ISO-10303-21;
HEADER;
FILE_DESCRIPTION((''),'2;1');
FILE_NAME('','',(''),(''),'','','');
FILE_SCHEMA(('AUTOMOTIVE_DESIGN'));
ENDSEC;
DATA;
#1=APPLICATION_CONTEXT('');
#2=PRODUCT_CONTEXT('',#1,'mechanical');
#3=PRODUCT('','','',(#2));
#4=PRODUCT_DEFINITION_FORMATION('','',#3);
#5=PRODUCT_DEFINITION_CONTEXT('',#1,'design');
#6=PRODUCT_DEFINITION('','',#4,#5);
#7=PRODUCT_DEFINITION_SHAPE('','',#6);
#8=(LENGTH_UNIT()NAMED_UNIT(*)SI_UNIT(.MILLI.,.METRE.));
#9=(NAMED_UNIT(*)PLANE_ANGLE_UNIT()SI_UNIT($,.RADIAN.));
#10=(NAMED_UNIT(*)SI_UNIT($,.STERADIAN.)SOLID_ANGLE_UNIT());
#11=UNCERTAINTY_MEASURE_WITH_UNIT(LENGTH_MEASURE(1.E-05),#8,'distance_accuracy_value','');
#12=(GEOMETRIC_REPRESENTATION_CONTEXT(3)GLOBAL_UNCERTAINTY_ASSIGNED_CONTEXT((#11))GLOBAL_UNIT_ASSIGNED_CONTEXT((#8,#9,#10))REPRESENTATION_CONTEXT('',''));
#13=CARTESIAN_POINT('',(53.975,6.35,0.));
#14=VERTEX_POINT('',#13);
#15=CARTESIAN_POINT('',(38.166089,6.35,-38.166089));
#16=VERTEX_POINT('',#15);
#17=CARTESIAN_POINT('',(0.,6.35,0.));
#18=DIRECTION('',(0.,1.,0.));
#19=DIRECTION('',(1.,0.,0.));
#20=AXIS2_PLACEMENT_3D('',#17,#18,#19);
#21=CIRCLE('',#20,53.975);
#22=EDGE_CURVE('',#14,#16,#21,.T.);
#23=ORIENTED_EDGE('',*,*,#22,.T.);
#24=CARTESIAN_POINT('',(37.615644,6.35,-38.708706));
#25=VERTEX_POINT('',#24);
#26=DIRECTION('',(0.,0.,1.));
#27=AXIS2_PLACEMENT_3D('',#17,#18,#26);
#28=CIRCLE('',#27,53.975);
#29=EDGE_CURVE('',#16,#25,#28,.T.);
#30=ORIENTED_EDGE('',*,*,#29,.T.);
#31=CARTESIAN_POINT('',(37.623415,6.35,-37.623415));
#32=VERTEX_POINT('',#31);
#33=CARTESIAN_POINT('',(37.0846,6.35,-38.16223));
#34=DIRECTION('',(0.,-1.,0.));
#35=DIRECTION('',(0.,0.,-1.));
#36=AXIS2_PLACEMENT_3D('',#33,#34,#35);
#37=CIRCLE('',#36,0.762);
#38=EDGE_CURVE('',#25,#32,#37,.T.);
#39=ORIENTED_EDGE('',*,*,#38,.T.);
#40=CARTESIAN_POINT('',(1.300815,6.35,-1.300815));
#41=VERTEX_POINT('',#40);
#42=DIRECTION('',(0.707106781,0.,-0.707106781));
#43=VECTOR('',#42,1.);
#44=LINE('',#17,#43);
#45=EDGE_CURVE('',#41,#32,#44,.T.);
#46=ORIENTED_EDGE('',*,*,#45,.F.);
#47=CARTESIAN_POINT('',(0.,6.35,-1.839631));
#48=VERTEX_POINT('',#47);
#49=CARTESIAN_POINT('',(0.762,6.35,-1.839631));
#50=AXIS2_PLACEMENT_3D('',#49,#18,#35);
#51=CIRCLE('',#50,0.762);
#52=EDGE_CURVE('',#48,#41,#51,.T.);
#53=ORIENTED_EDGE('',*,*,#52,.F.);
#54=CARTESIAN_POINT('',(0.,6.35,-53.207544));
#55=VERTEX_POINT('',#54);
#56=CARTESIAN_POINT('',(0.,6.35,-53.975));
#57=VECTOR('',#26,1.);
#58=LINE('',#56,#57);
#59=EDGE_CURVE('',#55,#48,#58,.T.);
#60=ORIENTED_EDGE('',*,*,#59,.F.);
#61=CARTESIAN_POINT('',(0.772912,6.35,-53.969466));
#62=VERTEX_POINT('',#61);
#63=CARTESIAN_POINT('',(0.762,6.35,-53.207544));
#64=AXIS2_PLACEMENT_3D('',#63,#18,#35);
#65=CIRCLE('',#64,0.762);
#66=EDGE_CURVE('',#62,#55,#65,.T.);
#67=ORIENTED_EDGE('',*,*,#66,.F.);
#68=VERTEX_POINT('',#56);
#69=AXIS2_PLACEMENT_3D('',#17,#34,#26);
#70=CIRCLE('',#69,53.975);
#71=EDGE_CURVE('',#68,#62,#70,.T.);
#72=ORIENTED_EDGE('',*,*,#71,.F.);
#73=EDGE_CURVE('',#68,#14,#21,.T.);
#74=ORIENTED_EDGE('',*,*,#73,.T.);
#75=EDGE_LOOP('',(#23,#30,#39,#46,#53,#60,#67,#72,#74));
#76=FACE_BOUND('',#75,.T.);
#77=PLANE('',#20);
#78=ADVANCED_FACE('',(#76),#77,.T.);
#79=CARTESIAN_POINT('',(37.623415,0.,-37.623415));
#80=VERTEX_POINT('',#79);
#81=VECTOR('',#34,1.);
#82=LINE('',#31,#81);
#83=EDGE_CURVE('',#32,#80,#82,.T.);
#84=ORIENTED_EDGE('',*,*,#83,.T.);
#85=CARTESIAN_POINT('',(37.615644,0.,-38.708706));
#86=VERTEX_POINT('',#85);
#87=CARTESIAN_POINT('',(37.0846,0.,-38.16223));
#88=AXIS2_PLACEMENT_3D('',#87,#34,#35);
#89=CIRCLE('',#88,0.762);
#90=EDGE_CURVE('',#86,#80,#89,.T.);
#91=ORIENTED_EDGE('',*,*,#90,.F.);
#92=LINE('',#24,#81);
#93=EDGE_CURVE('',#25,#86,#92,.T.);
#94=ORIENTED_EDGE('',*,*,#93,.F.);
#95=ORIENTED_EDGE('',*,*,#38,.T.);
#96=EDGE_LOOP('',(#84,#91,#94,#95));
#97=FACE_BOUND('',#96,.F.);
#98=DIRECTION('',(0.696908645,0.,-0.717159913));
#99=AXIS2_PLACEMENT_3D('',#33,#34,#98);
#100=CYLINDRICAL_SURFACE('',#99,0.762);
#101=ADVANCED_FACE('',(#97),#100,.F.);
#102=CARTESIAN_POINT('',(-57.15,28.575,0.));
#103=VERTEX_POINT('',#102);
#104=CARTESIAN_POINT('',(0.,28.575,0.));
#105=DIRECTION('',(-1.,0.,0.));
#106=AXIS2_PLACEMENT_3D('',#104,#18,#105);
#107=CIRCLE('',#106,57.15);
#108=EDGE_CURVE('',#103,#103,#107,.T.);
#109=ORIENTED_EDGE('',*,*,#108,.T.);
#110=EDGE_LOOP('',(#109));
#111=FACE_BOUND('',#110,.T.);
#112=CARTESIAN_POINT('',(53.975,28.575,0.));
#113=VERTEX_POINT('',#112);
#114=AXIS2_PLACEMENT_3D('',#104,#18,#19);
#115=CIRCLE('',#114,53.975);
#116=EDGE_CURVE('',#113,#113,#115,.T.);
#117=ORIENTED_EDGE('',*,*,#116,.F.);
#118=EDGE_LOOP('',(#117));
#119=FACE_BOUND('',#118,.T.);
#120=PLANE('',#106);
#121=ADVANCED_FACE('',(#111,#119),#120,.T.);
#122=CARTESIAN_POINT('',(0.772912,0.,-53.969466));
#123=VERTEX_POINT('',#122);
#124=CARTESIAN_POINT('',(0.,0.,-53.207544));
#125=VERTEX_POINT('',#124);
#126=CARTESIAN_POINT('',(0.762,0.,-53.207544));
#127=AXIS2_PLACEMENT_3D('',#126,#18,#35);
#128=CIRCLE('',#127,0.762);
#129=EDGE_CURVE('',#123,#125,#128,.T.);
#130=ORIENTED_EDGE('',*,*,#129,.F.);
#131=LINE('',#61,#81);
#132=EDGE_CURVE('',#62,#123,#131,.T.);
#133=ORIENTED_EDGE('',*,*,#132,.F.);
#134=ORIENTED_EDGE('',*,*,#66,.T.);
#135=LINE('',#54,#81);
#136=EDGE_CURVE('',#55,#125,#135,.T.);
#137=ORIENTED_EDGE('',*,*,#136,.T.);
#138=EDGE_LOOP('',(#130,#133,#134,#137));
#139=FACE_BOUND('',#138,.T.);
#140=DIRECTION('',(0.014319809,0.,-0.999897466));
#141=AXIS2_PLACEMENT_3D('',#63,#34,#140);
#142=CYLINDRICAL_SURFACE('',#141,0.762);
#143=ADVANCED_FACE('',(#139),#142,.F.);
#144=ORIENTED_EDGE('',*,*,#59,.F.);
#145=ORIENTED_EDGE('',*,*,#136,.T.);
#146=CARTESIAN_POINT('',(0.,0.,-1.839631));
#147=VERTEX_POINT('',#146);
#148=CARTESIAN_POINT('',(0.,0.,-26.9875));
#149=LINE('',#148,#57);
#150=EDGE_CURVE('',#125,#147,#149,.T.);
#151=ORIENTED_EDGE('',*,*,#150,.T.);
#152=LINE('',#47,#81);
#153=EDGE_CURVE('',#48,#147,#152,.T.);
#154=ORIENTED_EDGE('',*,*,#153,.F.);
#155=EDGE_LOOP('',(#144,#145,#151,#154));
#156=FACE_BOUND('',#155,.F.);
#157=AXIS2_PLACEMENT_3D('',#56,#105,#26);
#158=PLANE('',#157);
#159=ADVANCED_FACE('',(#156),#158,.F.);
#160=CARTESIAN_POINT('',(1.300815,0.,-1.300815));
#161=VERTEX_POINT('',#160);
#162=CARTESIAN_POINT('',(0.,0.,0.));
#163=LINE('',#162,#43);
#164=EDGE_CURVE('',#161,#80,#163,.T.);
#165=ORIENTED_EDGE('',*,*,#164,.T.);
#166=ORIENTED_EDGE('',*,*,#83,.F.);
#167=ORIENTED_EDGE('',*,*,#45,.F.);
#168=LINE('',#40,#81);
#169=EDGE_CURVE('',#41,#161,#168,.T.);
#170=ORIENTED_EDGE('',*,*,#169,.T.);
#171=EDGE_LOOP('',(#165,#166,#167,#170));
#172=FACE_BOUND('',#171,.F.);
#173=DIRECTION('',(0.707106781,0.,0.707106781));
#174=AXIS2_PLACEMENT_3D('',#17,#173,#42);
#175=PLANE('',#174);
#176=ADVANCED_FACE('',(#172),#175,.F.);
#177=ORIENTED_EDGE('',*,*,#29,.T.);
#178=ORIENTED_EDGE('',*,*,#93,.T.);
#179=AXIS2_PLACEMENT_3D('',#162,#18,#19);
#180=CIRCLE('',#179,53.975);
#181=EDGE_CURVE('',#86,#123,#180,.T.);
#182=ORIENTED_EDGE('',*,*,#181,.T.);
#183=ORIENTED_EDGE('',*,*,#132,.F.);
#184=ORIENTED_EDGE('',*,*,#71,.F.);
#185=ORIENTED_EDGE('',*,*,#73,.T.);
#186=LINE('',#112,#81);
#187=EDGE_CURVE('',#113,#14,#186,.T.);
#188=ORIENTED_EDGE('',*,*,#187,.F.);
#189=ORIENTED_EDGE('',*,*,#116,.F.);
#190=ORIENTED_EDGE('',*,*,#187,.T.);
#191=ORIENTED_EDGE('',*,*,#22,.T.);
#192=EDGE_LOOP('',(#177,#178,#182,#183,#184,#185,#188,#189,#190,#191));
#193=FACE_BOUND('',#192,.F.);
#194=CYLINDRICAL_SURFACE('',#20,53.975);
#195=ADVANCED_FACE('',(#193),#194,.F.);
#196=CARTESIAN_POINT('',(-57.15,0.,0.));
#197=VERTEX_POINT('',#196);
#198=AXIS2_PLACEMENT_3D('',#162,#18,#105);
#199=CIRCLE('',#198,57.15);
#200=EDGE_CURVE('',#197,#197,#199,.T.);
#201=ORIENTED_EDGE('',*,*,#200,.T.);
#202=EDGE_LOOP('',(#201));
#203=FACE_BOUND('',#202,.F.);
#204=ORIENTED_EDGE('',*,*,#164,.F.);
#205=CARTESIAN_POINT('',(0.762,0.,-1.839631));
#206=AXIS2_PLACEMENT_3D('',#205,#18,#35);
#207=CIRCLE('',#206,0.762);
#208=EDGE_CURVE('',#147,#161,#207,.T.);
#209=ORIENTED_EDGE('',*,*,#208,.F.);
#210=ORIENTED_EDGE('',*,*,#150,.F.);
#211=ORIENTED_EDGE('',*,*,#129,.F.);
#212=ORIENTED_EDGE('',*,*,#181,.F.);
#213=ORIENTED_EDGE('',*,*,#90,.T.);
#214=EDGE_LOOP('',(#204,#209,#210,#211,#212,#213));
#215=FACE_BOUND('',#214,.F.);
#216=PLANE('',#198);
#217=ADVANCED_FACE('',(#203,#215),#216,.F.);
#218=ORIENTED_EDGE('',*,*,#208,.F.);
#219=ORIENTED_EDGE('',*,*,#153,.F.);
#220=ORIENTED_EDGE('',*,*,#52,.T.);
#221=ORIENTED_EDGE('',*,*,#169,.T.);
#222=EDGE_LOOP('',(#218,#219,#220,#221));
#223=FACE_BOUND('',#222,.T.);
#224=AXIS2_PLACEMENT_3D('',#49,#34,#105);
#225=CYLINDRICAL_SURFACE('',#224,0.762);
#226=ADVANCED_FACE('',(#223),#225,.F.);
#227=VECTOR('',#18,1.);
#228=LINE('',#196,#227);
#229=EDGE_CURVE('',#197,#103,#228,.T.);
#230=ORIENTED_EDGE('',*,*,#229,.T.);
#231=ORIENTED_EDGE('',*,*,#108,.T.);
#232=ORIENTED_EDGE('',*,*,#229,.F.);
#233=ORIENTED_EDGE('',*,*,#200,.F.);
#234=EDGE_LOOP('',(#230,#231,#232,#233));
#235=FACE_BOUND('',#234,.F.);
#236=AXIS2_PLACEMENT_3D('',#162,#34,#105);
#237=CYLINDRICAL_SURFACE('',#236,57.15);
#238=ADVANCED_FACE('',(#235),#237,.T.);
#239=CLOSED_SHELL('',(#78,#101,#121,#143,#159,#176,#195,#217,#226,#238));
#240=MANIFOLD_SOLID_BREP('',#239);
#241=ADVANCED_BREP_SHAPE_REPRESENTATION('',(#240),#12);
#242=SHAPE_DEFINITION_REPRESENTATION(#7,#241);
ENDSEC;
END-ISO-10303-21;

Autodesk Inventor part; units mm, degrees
ref_plane "YZ Plane" through (0, 0, 0) normal (1, 0, 0) x (0, 1, 0)
ref_plane "XZ Plane" through (0, 0, 0) normal (0, 1, 0) x (-1, 0, 0)
ref_plane "XY Plane" through (0, 0, 0) normal (0, 0, 1) x (1, 0, 0)
sketch "Sketch1" plane through (0, 0, 0) normal (0, 1, 0) x (-1, 0, 0)
  circle A0 centre (0, 0) radius 57.15
  circle A1 centre (0, 0) radius 53.975
  dimension "d0" = 114.3
  dimension "d1" = 107.95
extrude "Extrusion1" add sketch "Sketch1" along normal blind 28.575 contours A0 | A1
sketch "Sketch2" plane through (0, 28.575, 0) normal (0, 1, 0) x (1, 0, 0)
  circle A0 centre (0, 0) radius 53.975
  dimension "d4" = 107.95
extrude "Extrusion2" cut sketch "Sketch2" against normal blind 22.225
sketch "Sketch3" plane through (0, 6.35, 0) normal (0, 1, 0) x (1, 0, 0)
  circle A0 centre (0, 0) radius 53.975 projected
  line L0 (0, 53.975) -> (0, 0)
  line L1 (0, 0) -> (53.975, 0)
  line L2 (0, 0) -> (40.4112, 40.4112)
  line L3 (0, 0) -> (57.15, 0) construction
  point P0 (38.1661, 38.1661)
  dimension "d7" = 57.15
  dimension "d8" = 45
extrude "Extrusion3" cut sketch "Sketch3" against normal blind 22.225 contours A0 L2 L0
fillet "Fillet1" radius 0.762 3 edges at (0, 3.175, 0) (0, 3.175, -53.975) (38.1661, 3.175, -38.1661)
properties part number "FeedWheelShell"
